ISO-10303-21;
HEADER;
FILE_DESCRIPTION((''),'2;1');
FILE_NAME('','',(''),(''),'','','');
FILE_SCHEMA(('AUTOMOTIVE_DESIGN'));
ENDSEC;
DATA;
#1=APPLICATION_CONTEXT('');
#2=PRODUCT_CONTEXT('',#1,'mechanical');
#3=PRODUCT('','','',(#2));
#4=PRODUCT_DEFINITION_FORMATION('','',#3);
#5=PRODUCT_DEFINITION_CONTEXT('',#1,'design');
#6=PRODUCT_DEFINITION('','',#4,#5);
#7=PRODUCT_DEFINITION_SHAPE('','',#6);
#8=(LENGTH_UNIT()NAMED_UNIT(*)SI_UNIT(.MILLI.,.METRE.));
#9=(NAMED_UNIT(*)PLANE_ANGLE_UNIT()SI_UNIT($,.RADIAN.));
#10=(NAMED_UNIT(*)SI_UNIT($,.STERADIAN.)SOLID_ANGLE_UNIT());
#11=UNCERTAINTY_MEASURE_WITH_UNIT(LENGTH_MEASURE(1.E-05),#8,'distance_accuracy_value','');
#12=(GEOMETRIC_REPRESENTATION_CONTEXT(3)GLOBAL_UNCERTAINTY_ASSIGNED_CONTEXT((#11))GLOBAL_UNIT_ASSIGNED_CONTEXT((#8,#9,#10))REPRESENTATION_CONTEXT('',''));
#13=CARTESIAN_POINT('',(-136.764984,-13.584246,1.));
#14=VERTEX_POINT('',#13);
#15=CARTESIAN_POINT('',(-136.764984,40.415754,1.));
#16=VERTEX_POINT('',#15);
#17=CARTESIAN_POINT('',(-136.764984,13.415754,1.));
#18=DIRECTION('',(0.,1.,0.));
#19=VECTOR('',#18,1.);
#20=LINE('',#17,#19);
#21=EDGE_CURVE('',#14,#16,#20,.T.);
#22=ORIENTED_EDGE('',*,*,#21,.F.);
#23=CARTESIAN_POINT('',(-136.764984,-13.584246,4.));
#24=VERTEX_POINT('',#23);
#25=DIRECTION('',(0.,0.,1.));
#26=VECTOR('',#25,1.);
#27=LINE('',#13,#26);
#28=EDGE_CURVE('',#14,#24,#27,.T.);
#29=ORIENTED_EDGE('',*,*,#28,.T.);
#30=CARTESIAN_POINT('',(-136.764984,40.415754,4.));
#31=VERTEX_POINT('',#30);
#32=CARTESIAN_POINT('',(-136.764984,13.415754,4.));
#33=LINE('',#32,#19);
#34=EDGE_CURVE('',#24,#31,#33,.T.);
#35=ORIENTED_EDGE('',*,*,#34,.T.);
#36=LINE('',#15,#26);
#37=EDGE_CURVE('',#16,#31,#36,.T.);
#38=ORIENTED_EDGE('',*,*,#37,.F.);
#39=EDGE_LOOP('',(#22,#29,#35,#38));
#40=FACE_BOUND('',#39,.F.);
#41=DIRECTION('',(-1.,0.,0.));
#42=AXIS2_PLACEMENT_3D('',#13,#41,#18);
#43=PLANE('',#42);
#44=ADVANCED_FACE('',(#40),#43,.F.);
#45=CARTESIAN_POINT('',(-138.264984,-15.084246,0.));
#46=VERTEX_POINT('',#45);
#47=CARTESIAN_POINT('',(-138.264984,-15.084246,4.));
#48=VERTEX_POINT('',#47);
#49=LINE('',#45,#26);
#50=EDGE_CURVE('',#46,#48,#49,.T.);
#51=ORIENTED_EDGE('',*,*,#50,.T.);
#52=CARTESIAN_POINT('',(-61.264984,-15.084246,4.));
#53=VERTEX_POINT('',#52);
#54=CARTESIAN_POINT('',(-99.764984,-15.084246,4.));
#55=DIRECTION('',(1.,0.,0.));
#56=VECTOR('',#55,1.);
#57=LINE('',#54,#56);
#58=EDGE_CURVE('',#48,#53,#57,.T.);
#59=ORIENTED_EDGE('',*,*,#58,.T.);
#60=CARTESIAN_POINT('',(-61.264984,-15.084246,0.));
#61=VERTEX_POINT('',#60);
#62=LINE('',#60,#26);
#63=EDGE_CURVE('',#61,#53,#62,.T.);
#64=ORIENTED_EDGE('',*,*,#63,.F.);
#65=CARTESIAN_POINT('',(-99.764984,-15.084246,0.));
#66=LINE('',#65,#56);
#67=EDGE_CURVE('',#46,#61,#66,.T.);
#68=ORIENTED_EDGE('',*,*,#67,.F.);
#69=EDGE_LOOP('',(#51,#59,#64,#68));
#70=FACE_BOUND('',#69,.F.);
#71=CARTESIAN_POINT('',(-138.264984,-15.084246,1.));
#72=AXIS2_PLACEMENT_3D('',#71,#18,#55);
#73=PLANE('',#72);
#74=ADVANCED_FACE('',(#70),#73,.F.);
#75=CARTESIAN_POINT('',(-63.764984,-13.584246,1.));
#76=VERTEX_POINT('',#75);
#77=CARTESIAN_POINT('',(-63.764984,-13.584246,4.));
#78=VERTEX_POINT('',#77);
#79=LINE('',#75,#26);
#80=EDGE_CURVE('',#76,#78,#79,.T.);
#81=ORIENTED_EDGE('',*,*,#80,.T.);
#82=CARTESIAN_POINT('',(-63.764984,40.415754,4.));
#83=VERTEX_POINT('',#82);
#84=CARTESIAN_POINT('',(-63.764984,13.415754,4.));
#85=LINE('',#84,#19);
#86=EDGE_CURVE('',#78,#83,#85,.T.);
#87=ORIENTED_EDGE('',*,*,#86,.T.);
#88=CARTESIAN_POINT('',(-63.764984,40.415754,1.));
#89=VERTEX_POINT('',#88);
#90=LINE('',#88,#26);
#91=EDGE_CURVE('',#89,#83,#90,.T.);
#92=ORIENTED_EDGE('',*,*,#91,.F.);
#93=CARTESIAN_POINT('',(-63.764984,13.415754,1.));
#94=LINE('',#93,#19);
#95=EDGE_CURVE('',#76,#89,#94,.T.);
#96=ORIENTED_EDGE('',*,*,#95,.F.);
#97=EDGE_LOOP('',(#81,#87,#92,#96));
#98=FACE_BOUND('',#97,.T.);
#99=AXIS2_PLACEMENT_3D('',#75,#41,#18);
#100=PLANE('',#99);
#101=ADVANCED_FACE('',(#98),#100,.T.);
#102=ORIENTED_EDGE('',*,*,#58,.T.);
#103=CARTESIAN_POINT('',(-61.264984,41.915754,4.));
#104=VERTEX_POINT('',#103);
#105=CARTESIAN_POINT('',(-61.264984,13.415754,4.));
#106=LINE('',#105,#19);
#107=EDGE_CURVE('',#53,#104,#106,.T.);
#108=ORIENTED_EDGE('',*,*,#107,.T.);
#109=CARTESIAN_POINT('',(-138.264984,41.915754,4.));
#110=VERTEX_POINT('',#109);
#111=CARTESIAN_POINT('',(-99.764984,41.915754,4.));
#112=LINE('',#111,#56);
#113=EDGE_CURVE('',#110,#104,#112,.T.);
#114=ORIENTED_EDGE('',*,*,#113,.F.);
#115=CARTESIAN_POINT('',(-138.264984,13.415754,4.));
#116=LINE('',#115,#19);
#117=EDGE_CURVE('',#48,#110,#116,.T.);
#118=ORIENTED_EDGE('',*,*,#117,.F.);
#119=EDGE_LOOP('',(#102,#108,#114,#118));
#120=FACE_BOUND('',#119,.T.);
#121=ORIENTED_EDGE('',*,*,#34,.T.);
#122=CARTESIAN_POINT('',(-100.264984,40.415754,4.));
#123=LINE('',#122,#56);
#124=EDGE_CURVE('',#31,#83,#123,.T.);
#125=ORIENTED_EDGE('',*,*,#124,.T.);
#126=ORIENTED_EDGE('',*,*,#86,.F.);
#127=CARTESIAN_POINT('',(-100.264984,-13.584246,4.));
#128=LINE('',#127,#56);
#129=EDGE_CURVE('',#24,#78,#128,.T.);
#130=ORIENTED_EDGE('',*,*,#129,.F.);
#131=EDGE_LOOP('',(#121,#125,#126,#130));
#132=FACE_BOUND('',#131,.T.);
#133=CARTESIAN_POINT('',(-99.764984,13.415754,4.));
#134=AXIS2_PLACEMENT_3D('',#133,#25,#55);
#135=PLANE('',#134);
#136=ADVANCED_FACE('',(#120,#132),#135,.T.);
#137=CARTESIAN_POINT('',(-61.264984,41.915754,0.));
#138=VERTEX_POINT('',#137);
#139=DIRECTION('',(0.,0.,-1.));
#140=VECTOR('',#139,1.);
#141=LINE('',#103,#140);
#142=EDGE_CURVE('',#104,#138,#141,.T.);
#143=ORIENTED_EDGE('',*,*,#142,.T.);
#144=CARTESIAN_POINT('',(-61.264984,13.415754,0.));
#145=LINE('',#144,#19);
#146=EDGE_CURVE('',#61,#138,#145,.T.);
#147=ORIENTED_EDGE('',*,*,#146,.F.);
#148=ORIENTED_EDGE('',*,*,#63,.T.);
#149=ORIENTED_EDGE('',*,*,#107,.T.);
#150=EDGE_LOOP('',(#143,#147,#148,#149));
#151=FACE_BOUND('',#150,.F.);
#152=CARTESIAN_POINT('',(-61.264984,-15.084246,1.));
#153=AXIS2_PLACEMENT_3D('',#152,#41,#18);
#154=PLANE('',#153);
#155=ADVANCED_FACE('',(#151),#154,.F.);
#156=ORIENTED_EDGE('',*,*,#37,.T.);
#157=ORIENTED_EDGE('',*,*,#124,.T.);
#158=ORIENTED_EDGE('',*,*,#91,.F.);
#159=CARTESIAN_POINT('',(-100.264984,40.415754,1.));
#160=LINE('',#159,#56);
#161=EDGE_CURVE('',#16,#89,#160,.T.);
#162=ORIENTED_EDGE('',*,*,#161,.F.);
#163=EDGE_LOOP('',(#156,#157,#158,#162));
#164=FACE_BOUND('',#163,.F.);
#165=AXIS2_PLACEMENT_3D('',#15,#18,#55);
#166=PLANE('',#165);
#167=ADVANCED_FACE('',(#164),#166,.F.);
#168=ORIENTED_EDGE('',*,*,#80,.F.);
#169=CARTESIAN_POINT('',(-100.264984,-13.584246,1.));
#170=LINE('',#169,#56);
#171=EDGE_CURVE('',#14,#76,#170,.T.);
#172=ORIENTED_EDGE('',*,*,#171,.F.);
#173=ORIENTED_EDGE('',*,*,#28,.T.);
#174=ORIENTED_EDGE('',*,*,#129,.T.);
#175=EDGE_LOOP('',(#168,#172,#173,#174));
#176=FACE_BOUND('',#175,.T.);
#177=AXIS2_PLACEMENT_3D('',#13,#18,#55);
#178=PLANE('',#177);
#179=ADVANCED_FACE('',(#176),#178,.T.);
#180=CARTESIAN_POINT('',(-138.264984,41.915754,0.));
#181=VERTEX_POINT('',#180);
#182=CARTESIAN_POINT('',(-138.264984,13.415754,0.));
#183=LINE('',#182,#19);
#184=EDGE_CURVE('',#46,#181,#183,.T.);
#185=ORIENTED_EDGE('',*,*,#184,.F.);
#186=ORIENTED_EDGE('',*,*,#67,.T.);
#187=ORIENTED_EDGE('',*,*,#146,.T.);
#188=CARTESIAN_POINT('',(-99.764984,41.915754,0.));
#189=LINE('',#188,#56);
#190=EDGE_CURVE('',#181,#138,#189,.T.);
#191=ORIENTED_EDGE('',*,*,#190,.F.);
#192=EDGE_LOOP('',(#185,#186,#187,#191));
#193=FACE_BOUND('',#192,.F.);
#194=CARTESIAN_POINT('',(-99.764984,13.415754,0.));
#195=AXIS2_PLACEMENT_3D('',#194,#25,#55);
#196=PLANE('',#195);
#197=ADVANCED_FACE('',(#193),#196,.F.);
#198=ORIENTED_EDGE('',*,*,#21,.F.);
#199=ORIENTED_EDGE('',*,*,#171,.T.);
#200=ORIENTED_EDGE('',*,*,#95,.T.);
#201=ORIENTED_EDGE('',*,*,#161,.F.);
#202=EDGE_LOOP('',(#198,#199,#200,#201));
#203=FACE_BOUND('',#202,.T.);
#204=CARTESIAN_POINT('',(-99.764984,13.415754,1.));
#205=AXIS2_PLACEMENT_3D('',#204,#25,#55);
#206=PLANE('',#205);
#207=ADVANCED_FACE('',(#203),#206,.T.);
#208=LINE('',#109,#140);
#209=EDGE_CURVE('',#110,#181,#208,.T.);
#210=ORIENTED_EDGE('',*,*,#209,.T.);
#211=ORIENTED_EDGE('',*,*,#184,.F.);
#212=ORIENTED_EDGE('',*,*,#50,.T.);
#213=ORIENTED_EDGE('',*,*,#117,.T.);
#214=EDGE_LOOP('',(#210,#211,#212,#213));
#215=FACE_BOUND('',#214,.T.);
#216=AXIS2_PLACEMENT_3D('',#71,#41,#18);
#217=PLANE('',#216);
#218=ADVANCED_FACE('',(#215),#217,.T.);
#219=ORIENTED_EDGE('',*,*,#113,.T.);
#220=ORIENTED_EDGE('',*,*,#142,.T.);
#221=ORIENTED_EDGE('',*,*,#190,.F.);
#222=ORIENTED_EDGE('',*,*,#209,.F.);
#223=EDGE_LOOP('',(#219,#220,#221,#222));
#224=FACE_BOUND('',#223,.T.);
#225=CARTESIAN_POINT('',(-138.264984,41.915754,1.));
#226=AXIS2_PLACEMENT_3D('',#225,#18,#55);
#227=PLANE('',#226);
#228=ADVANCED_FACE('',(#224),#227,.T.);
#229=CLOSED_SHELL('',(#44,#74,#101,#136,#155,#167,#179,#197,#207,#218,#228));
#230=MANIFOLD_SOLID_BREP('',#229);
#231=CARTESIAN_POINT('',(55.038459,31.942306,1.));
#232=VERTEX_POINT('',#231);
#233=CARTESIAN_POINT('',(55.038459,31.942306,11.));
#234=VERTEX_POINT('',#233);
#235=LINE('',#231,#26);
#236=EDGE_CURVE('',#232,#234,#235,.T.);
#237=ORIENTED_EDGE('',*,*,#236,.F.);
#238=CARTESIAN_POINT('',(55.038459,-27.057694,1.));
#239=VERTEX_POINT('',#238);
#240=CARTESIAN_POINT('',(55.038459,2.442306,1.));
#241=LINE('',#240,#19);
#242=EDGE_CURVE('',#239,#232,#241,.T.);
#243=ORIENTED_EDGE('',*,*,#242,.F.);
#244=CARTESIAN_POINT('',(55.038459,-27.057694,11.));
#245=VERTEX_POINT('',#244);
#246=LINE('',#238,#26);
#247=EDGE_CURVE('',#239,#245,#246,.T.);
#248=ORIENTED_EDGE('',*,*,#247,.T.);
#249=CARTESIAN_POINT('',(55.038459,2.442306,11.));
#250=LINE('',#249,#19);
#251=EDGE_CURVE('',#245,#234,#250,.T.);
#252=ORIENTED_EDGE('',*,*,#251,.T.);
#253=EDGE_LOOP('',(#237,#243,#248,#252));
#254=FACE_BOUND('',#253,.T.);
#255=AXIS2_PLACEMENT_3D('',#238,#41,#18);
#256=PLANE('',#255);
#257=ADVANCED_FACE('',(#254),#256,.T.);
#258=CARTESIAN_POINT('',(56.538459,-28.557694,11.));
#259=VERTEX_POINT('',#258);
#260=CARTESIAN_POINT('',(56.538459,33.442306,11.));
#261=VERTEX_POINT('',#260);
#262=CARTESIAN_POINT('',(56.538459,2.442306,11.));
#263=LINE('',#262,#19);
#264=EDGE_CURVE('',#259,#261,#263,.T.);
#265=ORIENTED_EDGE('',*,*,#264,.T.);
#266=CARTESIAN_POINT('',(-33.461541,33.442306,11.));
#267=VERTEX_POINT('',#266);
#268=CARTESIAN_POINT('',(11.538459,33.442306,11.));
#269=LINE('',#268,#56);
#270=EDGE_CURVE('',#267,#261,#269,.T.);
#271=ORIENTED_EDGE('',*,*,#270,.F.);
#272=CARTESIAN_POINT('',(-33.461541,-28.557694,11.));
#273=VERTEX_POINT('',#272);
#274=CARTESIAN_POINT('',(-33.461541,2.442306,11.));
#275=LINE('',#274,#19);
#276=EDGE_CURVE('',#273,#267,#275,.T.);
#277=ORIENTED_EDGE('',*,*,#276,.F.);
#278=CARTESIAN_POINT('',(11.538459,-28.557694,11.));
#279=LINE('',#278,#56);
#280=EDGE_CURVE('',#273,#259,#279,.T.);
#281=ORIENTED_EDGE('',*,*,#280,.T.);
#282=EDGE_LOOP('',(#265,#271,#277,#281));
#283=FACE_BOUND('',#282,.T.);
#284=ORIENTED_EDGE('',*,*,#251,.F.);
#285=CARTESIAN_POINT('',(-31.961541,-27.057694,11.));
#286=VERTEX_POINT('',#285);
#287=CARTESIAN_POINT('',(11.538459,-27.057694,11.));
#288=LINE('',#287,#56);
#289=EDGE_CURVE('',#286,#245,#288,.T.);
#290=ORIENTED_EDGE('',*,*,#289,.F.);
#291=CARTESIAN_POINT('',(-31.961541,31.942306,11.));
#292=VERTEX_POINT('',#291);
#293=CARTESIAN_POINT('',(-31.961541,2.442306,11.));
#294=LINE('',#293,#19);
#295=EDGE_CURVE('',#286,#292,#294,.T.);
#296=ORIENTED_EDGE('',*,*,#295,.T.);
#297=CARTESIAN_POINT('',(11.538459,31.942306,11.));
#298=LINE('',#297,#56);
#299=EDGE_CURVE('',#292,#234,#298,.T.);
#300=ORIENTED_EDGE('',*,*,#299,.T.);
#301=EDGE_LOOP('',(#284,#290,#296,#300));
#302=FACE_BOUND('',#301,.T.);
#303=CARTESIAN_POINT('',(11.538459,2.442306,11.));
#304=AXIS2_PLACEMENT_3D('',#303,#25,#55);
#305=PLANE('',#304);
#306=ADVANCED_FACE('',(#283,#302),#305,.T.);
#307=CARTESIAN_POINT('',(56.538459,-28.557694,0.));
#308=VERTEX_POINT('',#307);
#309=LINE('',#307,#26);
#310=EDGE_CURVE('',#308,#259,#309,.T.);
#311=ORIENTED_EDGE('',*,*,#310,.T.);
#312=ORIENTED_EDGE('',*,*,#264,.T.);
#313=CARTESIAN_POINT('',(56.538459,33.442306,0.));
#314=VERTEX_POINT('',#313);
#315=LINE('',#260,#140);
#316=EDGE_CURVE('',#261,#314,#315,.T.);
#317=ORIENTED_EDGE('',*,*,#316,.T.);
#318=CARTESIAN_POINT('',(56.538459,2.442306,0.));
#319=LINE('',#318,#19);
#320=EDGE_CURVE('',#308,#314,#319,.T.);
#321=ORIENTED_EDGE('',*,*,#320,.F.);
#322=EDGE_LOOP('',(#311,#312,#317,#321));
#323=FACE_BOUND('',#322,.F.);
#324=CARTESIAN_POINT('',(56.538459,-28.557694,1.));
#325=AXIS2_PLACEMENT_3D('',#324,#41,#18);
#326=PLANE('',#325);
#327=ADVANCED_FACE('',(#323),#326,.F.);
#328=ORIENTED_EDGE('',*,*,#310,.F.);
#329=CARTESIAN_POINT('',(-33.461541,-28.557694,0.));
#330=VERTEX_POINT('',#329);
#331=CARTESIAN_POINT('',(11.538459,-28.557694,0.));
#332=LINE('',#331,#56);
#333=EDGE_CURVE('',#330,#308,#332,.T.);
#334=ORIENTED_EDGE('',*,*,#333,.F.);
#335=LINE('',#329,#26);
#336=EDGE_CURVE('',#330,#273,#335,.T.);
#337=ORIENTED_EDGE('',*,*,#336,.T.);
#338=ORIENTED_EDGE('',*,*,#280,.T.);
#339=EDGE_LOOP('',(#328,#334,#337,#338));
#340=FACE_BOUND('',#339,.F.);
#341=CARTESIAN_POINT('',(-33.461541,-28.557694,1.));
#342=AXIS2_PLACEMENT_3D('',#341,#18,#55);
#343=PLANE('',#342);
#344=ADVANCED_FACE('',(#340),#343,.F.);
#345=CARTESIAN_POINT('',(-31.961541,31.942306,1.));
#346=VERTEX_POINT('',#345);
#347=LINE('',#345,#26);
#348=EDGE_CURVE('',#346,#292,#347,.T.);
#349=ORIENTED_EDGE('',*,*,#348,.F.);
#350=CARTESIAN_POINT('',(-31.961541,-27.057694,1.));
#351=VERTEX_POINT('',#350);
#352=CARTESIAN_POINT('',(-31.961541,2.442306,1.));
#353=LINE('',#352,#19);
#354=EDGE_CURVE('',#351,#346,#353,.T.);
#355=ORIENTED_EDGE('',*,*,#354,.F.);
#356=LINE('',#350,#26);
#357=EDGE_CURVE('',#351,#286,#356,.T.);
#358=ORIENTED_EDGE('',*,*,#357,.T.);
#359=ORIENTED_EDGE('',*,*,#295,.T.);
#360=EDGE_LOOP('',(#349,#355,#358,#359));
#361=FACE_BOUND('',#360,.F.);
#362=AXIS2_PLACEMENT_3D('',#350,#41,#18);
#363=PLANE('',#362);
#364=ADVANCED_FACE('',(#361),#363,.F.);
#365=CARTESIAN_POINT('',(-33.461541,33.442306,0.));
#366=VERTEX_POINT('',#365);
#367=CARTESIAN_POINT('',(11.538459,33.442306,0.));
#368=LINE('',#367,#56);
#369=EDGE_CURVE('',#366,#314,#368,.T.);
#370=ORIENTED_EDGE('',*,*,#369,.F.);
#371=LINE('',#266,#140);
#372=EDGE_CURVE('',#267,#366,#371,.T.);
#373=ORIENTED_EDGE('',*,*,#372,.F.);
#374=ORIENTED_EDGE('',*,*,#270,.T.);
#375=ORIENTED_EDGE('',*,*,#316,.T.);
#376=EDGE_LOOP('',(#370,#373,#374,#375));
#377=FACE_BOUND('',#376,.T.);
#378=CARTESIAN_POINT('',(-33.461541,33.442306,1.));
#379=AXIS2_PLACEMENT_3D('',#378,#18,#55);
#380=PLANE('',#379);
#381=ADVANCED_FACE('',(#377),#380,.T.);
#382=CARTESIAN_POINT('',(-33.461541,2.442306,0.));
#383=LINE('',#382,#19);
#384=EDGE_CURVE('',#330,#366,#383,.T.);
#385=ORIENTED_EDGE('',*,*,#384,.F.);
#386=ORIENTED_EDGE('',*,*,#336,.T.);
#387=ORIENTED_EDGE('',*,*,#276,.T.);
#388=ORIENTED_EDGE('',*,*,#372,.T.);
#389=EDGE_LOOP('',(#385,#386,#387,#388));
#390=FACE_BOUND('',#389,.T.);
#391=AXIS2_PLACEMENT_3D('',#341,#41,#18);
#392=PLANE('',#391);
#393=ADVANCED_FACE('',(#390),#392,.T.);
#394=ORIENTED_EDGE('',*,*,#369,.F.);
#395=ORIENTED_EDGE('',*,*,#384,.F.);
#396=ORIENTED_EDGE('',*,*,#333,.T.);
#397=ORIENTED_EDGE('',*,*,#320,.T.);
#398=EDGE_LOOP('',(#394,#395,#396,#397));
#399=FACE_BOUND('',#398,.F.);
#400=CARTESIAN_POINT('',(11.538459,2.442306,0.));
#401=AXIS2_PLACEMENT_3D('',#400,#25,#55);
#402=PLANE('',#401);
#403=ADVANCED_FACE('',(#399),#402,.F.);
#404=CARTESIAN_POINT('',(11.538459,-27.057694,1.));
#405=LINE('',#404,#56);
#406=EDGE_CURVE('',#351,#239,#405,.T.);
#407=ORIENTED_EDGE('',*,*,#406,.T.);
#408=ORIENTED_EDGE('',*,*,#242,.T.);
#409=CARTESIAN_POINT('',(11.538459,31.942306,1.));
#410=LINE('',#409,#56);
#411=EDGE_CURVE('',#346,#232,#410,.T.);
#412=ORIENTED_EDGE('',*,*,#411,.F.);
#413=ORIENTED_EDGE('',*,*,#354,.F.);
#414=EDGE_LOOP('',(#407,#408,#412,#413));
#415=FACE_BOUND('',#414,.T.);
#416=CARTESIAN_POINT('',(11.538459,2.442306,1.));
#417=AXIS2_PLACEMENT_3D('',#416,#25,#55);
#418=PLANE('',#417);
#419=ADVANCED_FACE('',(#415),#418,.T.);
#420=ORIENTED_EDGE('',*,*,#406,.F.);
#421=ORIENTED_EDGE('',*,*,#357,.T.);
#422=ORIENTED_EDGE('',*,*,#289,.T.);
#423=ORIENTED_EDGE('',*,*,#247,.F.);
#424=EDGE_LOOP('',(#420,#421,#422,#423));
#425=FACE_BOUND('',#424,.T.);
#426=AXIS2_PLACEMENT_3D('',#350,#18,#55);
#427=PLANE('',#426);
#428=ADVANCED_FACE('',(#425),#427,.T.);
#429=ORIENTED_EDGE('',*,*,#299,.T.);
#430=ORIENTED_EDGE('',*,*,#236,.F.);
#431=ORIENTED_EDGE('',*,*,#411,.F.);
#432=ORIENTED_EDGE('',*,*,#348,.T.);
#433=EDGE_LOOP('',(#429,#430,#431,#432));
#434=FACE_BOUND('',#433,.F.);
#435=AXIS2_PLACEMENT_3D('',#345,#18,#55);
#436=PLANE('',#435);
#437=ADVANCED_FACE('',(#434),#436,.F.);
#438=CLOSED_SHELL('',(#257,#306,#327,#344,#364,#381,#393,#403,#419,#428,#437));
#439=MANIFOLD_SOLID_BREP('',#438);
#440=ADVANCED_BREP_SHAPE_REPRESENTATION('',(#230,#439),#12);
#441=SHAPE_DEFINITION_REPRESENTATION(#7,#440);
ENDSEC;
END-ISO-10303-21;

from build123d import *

# Parameters (mm, degrees)
F0_W     = 90
F0_H     = 62
F0_W_2   = 87
F0_H_2   = 59
F1_DEPTH = 1
F2_W     = 90
F2_H     = 62
F2_W_2   = 87
F2_H_2   = 59
F3_DEPTH = 10
F4_W     = 77
F4_H     = 57
F5_DEPTH = 1
F6_W     = 77
F6_H     = 57
F6_W_2   = 73
F6_H_2   = 54
F7_DEPTH = 3


with BuildPart() as f1:
    # F0 (on Top) → F1 (new body)
    with BuildSketch(Plane.XY):
        with Locations((11.5384590626, 2.4423064142)):
            Rectangle(F0_W, F0_H)
        with Locations((11.5384590626, 2.4423064142)):
            Rectangle(F0_W_2, F0_H_2, mode=Mode.SUBTRACT)
        with Locations((11.5384590626, 2.4423064142)):
            Rectangle(F0_W_2, F0_H_2)
    extrude(amount=F1_DEPTH)

    # F2 (on face) → F3 (join)
    with BuildSketch(Plane.XY.offset(1)):
        with Locations((11.5384590626, 2.4423064142)):
            Rectangle(F2_W, F2_H)
        with Locations((11.5384590626, 2.4423064142)):
            Rectangle(F2_W_2, F2_H_2, mode=Mode.SUBTRACT)
    extrude(amount=F3_DEPTH)


with BuildPart() as f5:
    # F4 (on Top) → F5 (new body)
    with BuildSketch(Plane.XY):
        with Locations((-99.7649838924, 13.4157538265)):
            Rectangle(F4_W, F4_H)
    extrude(amount=F5_DEPTH)

    # F6 (on face) → F7 (join)
    with BuildSketch(Plane.XY.offset(1)):
        with Locations((-99.7649838924, 13.4157538265)):
            Rectangle(F6_W, F6_H)
        with Locations((-100.2649838924, 13.4157538265)):
            Rectangle(F6_W_2, F6_H_2, mode=Mode.SUBTRACT)
    extrude(amount=F7_DEPTH)


solid = Compound([f1.part, f5.part])
